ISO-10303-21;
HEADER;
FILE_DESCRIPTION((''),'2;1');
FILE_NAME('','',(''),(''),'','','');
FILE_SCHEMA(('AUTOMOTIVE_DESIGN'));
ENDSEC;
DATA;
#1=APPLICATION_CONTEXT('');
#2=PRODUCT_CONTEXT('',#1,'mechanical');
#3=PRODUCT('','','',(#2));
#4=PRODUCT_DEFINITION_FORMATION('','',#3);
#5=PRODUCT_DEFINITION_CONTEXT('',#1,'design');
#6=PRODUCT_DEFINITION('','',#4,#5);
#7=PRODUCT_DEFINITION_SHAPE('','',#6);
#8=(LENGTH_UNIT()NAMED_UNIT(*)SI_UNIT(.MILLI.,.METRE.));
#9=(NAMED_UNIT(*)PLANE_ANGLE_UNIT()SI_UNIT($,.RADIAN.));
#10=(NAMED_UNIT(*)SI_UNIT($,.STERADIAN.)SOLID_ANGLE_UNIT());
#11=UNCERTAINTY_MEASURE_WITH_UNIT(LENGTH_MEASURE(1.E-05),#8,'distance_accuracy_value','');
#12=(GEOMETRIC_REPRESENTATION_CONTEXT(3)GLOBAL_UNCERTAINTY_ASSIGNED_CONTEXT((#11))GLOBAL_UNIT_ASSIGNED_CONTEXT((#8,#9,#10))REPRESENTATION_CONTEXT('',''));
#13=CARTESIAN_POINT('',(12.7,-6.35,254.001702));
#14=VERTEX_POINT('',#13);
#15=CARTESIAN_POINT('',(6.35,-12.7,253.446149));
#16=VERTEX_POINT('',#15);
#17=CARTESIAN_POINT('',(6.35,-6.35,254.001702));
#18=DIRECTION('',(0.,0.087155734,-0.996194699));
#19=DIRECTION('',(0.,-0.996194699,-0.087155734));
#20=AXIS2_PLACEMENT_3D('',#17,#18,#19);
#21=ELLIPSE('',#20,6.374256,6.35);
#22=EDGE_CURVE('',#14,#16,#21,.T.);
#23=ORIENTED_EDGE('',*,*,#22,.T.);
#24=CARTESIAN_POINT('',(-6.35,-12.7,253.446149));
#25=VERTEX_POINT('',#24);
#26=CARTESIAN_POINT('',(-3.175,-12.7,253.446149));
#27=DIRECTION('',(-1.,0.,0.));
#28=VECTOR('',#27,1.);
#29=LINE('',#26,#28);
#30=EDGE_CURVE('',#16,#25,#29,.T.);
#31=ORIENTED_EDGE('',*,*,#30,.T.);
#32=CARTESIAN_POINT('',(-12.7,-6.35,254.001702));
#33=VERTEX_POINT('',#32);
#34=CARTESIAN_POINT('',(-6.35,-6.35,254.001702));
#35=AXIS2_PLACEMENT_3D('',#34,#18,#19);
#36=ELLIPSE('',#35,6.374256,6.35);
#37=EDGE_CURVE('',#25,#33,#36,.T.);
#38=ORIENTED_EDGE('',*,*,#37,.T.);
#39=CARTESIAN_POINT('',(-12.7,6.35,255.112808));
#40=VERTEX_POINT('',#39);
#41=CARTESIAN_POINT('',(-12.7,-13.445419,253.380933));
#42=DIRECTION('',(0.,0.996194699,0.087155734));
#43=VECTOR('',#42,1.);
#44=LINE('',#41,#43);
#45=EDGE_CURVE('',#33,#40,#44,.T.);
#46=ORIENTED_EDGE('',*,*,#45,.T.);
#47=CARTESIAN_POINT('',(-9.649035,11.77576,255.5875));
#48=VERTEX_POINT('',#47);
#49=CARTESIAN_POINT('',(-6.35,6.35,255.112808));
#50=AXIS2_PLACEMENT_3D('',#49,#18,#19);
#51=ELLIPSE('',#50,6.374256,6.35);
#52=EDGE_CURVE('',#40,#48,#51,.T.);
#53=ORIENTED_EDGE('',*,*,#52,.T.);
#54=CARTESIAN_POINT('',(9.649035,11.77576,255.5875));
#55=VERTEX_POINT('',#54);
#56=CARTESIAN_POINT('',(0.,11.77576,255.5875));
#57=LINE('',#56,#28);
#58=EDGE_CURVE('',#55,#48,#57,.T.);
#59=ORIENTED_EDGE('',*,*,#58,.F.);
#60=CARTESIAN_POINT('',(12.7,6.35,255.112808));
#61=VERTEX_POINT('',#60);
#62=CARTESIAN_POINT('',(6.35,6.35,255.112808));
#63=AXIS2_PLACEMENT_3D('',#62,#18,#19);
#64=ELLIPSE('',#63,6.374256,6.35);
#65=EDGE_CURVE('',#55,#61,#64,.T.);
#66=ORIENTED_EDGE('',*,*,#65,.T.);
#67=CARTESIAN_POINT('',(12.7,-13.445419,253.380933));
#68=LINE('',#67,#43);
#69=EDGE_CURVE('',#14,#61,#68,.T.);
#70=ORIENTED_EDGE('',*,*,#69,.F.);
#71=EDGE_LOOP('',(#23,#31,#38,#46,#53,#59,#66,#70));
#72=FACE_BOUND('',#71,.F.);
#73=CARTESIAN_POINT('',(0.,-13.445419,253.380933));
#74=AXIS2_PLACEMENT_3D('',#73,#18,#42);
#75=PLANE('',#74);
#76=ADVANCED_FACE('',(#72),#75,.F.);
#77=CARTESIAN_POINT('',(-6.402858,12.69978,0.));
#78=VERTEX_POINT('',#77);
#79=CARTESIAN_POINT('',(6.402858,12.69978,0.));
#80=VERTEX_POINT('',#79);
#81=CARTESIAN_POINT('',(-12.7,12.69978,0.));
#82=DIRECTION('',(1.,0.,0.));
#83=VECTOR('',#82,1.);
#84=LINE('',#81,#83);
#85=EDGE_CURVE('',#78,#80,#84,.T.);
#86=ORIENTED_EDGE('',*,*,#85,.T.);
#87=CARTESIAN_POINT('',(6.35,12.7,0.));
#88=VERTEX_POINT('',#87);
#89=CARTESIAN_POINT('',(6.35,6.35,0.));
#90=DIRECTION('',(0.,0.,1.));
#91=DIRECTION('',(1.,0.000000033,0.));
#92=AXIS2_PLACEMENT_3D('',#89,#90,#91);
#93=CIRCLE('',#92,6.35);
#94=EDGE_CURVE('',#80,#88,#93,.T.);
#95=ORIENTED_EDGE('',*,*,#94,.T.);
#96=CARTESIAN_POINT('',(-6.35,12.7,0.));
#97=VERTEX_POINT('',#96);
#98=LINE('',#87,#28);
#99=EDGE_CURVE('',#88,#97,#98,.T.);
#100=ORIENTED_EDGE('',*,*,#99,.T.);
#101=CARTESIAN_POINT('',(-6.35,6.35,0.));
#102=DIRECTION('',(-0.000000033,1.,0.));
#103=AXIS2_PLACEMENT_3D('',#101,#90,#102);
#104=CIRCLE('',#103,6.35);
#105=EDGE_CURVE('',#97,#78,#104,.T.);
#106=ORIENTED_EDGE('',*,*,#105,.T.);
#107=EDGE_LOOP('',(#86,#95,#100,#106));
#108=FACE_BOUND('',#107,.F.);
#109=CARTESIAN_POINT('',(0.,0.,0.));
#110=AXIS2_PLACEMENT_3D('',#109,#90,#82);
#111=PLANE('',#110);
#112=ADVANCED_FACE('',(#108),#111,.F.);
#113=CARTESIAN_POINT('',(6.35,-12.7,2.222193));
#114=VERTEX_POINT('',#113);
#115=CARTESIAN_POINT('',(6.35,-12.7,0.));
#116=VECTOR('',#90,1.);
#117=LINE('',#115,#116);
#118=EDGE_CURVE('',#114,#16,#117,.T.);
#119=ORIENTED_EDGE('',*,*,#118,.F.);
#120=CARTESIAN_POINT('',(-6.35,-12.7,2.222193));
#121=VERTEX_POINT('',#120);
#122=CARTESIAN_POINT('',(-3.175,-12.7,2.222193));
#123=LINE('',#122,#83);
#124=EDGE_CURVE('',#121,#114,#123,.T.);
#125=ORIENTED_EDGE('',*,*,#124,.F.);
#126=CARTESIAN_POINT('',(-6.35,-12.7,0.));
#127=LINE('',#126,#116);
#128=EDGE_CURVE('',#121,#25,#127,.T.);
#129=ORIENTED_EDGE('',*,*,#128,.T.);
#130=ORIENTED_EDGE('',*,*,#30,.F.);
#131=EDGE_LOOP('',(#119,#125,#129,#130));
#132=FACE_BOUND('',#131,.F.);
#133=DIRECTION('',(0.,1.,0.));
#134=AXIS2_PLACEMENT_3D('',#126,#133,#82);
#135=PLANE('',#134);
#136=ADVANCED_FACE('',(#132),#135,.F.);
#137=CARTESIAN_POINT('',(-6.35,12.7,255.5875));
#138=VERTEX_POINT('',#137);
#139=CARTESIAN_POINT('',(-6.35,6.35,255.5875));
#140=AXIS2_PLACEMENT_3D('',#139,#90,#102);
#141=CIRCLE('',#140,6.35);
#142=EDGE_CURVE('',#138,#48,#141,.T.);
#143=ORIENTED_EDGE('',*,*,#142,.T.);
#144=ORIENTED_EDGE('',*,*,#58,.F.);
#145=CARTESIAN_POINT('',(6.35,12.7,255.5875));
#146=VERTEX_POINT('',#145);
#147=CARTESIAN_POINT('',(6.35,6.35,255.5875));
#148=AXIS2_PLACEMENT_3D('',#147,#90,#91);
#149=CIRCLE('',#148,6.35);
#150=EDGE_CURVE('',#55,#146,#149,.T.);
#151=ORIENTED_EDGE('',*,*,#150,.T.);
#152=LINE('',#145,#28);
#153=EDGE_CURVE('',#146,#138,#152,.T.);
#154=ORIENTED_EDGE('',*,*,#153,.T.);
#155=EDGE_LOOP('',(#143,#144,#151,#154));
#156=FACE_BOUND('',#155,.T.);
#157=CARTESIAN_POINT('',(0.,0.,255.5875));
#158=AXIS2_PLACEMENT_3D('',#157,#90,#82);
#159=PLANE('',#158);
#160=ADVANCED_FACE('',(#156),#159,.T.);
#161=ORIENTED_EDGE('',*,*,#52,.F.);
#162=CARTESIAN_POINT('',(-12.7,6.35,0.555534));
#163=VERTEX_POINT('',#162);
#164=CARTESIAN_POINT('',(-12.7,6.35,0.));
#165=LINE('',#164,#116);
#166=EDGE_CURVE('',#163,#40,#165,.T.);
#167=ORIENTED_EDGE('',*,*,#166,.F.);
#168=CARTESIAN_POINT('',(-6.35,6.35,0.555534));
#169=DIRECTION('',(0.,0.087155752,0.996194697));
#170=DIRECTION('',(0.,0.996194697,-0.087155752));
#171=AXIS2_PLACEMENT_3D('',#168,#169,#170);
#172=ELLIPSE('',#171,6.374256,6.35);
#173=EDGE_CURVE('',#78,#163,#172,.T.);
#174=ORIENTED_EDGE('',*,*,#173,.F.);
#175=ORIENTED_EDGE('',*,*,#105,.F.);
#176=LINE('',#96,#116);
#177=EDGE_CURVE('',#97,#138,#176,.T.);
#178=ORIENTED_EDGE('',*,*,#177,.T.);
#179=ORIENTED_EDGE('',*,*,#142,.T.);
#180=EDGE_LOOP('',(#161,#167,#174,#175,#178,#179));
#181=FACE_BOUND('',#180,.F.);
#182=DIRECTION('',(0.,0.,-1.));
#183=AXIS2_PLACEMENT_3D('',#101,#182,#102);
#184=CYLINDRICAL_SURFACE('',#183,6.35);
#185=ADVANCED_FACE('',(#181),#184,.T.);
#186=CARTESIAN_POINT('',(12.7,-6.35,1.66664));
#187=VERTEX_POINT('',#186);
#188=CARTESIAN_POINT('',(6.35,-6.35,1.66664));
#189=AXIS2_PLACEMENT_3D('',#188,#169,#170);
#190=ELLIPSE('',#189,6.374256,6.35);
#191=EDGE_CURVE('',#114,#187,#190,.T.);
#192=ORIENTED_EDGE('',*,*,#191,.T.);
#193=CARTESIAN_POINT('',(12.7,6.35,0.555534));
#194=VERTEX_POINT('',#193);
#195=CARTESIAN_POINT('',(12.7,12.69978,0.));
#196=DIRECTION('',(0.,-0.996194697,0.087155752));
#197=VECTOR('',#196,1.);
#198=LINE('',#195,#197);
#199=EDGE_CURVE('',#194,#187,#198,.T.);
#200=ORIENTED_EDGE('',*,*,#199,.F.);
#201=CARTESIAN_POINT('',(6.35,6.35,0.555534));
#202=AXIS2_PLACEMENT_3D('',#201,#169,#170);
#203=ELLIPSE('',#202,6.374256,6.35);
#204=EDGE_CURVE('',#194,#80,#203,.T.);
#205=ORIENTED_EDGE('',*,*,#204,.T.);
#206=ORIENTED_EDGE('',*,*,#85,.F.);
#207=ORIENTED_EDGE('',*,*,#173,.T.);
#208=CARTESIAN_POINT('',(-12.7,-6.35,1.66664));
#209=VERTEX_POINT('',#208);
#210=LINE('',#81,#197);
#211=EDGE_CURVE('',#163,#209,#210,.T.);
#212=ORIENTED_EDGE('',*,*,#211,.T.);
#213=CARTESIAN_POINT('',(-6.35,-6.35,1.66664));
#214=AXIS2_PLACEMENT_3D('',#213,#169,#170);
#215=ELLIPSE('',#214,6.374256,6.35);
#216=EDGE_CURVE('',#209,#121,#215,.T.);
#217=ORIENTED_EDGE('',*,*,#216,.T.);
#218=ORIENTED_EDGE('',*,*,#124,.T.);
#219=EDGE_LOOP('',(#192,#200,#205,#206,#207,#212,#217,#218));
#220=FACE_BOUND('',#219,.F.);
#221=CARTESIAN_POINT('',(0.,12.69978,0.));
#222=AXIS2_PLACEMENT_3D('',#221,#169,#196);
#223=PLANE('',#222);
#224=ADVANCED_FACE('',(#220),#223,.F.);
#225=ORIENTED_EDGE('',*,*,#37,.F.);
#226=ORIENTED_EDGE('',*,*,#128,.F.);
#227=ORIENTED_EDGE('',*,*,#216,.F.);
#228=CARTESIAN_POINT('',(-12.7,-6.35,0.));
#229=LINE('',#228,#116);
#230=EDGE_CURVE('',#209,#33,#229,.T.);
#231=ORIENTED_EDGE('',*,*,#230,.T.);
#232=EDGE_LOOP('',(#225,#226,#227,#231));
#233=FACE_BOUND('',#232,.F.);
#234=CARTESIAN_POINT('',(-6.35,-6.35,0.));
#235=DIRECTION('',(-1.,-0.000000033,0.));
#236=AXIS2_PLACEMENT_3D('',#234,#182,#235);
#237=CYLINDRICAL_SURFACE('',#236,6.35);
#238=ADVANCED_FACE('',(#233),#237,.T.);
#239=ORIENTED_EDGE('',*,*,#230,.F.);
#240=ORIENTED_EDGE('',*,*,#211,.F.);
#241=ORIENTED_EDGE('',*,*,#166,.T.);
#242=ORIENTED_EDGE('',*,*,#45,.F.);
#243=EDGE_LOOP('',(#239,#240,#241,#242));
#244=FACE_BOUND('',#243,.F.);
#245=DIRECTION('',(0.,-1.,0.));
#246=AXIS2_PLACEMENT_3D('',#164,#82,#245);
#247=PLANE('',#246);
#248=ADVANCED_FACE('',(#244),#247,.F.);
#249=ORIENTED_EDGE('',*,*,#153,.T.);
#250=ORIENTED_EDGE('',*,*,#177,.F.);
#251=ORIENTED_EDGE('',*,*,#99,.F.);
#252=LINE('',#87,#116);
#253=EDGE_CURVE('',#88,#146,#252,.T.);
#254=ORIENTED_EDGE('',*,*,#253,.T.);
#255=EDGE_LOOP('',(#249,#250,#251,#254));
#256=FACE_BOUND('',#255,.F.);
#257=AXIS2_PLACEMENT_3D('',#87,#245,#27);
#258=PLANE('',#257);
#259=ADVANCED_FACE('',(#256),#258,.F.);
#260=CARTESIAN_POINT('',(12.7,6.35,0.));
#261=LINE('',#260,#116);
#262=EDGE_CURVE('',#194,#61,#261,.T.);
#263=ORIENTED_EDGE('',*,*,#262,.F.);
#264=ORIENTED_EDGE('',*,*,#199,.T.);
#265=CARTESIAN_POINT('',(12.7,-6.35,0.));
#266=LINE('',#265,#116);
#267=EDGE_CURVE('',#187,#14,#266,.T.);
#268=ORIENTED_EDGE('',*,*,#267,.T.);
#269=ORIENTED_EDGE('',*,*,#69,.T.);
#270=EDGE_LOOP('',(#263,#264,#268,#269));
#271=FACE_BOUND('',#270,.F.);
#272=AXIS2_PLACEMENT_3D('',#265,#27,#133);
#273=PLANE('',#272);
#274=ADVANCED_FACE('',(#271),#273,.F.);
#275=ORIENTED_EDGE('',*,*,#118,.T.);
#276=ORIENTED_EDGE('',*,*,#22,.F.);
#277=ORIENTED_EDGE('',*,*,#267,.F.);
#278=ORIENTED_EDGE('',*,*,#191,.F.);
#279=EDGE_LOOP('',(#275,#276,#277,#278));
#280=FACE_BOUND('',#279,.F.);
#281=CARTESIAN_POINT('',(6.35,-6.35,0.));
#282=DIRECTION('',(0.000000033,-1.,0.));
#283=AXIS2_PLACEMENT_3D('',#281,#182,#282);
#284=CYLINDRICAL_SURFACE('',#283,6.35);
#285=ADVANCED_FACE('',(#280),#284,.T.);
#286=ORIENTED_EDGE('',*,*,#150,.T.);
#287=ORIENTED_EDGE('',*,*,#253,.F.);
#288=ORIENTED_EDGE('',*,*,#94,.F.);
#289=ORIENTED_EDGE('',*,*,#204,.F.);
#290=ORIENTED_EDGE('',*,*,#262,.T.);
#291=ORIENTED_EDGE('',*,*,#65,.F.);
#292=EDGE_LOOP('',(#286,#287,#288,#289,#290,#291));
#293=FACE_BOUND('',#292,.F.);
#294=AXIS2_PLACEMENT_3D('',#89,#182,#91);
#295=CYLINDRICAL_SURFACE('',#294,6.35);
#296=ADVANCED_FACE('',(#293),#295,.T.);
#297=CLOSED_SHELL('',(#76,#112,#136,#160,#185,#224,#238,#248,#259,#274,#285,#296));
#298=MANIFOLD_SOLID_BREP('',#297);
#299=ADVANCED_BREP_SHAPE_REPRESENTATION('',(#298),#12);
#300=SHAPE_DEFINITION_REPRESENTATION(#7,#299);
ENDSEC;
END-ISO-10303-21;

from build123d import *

# Parameters (mm, degrees)
F1_DEPTH = 255.5875
F3_DEPTH = 12.7
F5_DEPTH = 12.7


with BuildPart() as f1:
    # F0 (on Top) → F1 (new body)
    with BuildSketch(Plane.XY):
        with BuildLine():
            ThreePointArc((12.7, 6.35), (10.840128, 10.840128), (6.35, 12.7))
            Line((6.35, 12.7), (-6.35, 12.7))
            ThreePointArc((-6.35, 12.7), (-10.840128, 10.840128), (-12.7, 6.35))
            Line((-12.7, 6.35), (-12.7, -6.35))
            ThreePointArc((-12.7, -6.35), (-10.840128, -10.840128), (-6.35, -12.7))
            Line((-6.35, -12.7), (6.35, -12.7))
            ThreePointArc((6.35, -12.7), (10.840128, -10.840128), (12.7, -6.35))
            Line((12.7, -6.35), (12.7, 6.35))
        make_face()
    extrude(amount=F1_DEPTH)

    # F2 (on Right) → F3 (cut, symmetric)
    with BuildSketch(Plane.YZ):
        Polygon((-17.71266, 0), (12.69978, 0), (-17.71266, 2.660744), align=None)
    extrude(amount=F3_DEPTH, both=True, mode=Mode.SUBTRACT)

    # F4 (on Right) → F5 (cut, symmetric)
    with BuildSketch(Plane.YZ):
        Polygon((-13.445419, 253.380933), (13.181062, 255.710448), (-13.445419, 255.710448), align=None)
    extrude(amount=F5_DEPTH, both=True, mode=Mode.SUBTRACT)


solid = f1.part
